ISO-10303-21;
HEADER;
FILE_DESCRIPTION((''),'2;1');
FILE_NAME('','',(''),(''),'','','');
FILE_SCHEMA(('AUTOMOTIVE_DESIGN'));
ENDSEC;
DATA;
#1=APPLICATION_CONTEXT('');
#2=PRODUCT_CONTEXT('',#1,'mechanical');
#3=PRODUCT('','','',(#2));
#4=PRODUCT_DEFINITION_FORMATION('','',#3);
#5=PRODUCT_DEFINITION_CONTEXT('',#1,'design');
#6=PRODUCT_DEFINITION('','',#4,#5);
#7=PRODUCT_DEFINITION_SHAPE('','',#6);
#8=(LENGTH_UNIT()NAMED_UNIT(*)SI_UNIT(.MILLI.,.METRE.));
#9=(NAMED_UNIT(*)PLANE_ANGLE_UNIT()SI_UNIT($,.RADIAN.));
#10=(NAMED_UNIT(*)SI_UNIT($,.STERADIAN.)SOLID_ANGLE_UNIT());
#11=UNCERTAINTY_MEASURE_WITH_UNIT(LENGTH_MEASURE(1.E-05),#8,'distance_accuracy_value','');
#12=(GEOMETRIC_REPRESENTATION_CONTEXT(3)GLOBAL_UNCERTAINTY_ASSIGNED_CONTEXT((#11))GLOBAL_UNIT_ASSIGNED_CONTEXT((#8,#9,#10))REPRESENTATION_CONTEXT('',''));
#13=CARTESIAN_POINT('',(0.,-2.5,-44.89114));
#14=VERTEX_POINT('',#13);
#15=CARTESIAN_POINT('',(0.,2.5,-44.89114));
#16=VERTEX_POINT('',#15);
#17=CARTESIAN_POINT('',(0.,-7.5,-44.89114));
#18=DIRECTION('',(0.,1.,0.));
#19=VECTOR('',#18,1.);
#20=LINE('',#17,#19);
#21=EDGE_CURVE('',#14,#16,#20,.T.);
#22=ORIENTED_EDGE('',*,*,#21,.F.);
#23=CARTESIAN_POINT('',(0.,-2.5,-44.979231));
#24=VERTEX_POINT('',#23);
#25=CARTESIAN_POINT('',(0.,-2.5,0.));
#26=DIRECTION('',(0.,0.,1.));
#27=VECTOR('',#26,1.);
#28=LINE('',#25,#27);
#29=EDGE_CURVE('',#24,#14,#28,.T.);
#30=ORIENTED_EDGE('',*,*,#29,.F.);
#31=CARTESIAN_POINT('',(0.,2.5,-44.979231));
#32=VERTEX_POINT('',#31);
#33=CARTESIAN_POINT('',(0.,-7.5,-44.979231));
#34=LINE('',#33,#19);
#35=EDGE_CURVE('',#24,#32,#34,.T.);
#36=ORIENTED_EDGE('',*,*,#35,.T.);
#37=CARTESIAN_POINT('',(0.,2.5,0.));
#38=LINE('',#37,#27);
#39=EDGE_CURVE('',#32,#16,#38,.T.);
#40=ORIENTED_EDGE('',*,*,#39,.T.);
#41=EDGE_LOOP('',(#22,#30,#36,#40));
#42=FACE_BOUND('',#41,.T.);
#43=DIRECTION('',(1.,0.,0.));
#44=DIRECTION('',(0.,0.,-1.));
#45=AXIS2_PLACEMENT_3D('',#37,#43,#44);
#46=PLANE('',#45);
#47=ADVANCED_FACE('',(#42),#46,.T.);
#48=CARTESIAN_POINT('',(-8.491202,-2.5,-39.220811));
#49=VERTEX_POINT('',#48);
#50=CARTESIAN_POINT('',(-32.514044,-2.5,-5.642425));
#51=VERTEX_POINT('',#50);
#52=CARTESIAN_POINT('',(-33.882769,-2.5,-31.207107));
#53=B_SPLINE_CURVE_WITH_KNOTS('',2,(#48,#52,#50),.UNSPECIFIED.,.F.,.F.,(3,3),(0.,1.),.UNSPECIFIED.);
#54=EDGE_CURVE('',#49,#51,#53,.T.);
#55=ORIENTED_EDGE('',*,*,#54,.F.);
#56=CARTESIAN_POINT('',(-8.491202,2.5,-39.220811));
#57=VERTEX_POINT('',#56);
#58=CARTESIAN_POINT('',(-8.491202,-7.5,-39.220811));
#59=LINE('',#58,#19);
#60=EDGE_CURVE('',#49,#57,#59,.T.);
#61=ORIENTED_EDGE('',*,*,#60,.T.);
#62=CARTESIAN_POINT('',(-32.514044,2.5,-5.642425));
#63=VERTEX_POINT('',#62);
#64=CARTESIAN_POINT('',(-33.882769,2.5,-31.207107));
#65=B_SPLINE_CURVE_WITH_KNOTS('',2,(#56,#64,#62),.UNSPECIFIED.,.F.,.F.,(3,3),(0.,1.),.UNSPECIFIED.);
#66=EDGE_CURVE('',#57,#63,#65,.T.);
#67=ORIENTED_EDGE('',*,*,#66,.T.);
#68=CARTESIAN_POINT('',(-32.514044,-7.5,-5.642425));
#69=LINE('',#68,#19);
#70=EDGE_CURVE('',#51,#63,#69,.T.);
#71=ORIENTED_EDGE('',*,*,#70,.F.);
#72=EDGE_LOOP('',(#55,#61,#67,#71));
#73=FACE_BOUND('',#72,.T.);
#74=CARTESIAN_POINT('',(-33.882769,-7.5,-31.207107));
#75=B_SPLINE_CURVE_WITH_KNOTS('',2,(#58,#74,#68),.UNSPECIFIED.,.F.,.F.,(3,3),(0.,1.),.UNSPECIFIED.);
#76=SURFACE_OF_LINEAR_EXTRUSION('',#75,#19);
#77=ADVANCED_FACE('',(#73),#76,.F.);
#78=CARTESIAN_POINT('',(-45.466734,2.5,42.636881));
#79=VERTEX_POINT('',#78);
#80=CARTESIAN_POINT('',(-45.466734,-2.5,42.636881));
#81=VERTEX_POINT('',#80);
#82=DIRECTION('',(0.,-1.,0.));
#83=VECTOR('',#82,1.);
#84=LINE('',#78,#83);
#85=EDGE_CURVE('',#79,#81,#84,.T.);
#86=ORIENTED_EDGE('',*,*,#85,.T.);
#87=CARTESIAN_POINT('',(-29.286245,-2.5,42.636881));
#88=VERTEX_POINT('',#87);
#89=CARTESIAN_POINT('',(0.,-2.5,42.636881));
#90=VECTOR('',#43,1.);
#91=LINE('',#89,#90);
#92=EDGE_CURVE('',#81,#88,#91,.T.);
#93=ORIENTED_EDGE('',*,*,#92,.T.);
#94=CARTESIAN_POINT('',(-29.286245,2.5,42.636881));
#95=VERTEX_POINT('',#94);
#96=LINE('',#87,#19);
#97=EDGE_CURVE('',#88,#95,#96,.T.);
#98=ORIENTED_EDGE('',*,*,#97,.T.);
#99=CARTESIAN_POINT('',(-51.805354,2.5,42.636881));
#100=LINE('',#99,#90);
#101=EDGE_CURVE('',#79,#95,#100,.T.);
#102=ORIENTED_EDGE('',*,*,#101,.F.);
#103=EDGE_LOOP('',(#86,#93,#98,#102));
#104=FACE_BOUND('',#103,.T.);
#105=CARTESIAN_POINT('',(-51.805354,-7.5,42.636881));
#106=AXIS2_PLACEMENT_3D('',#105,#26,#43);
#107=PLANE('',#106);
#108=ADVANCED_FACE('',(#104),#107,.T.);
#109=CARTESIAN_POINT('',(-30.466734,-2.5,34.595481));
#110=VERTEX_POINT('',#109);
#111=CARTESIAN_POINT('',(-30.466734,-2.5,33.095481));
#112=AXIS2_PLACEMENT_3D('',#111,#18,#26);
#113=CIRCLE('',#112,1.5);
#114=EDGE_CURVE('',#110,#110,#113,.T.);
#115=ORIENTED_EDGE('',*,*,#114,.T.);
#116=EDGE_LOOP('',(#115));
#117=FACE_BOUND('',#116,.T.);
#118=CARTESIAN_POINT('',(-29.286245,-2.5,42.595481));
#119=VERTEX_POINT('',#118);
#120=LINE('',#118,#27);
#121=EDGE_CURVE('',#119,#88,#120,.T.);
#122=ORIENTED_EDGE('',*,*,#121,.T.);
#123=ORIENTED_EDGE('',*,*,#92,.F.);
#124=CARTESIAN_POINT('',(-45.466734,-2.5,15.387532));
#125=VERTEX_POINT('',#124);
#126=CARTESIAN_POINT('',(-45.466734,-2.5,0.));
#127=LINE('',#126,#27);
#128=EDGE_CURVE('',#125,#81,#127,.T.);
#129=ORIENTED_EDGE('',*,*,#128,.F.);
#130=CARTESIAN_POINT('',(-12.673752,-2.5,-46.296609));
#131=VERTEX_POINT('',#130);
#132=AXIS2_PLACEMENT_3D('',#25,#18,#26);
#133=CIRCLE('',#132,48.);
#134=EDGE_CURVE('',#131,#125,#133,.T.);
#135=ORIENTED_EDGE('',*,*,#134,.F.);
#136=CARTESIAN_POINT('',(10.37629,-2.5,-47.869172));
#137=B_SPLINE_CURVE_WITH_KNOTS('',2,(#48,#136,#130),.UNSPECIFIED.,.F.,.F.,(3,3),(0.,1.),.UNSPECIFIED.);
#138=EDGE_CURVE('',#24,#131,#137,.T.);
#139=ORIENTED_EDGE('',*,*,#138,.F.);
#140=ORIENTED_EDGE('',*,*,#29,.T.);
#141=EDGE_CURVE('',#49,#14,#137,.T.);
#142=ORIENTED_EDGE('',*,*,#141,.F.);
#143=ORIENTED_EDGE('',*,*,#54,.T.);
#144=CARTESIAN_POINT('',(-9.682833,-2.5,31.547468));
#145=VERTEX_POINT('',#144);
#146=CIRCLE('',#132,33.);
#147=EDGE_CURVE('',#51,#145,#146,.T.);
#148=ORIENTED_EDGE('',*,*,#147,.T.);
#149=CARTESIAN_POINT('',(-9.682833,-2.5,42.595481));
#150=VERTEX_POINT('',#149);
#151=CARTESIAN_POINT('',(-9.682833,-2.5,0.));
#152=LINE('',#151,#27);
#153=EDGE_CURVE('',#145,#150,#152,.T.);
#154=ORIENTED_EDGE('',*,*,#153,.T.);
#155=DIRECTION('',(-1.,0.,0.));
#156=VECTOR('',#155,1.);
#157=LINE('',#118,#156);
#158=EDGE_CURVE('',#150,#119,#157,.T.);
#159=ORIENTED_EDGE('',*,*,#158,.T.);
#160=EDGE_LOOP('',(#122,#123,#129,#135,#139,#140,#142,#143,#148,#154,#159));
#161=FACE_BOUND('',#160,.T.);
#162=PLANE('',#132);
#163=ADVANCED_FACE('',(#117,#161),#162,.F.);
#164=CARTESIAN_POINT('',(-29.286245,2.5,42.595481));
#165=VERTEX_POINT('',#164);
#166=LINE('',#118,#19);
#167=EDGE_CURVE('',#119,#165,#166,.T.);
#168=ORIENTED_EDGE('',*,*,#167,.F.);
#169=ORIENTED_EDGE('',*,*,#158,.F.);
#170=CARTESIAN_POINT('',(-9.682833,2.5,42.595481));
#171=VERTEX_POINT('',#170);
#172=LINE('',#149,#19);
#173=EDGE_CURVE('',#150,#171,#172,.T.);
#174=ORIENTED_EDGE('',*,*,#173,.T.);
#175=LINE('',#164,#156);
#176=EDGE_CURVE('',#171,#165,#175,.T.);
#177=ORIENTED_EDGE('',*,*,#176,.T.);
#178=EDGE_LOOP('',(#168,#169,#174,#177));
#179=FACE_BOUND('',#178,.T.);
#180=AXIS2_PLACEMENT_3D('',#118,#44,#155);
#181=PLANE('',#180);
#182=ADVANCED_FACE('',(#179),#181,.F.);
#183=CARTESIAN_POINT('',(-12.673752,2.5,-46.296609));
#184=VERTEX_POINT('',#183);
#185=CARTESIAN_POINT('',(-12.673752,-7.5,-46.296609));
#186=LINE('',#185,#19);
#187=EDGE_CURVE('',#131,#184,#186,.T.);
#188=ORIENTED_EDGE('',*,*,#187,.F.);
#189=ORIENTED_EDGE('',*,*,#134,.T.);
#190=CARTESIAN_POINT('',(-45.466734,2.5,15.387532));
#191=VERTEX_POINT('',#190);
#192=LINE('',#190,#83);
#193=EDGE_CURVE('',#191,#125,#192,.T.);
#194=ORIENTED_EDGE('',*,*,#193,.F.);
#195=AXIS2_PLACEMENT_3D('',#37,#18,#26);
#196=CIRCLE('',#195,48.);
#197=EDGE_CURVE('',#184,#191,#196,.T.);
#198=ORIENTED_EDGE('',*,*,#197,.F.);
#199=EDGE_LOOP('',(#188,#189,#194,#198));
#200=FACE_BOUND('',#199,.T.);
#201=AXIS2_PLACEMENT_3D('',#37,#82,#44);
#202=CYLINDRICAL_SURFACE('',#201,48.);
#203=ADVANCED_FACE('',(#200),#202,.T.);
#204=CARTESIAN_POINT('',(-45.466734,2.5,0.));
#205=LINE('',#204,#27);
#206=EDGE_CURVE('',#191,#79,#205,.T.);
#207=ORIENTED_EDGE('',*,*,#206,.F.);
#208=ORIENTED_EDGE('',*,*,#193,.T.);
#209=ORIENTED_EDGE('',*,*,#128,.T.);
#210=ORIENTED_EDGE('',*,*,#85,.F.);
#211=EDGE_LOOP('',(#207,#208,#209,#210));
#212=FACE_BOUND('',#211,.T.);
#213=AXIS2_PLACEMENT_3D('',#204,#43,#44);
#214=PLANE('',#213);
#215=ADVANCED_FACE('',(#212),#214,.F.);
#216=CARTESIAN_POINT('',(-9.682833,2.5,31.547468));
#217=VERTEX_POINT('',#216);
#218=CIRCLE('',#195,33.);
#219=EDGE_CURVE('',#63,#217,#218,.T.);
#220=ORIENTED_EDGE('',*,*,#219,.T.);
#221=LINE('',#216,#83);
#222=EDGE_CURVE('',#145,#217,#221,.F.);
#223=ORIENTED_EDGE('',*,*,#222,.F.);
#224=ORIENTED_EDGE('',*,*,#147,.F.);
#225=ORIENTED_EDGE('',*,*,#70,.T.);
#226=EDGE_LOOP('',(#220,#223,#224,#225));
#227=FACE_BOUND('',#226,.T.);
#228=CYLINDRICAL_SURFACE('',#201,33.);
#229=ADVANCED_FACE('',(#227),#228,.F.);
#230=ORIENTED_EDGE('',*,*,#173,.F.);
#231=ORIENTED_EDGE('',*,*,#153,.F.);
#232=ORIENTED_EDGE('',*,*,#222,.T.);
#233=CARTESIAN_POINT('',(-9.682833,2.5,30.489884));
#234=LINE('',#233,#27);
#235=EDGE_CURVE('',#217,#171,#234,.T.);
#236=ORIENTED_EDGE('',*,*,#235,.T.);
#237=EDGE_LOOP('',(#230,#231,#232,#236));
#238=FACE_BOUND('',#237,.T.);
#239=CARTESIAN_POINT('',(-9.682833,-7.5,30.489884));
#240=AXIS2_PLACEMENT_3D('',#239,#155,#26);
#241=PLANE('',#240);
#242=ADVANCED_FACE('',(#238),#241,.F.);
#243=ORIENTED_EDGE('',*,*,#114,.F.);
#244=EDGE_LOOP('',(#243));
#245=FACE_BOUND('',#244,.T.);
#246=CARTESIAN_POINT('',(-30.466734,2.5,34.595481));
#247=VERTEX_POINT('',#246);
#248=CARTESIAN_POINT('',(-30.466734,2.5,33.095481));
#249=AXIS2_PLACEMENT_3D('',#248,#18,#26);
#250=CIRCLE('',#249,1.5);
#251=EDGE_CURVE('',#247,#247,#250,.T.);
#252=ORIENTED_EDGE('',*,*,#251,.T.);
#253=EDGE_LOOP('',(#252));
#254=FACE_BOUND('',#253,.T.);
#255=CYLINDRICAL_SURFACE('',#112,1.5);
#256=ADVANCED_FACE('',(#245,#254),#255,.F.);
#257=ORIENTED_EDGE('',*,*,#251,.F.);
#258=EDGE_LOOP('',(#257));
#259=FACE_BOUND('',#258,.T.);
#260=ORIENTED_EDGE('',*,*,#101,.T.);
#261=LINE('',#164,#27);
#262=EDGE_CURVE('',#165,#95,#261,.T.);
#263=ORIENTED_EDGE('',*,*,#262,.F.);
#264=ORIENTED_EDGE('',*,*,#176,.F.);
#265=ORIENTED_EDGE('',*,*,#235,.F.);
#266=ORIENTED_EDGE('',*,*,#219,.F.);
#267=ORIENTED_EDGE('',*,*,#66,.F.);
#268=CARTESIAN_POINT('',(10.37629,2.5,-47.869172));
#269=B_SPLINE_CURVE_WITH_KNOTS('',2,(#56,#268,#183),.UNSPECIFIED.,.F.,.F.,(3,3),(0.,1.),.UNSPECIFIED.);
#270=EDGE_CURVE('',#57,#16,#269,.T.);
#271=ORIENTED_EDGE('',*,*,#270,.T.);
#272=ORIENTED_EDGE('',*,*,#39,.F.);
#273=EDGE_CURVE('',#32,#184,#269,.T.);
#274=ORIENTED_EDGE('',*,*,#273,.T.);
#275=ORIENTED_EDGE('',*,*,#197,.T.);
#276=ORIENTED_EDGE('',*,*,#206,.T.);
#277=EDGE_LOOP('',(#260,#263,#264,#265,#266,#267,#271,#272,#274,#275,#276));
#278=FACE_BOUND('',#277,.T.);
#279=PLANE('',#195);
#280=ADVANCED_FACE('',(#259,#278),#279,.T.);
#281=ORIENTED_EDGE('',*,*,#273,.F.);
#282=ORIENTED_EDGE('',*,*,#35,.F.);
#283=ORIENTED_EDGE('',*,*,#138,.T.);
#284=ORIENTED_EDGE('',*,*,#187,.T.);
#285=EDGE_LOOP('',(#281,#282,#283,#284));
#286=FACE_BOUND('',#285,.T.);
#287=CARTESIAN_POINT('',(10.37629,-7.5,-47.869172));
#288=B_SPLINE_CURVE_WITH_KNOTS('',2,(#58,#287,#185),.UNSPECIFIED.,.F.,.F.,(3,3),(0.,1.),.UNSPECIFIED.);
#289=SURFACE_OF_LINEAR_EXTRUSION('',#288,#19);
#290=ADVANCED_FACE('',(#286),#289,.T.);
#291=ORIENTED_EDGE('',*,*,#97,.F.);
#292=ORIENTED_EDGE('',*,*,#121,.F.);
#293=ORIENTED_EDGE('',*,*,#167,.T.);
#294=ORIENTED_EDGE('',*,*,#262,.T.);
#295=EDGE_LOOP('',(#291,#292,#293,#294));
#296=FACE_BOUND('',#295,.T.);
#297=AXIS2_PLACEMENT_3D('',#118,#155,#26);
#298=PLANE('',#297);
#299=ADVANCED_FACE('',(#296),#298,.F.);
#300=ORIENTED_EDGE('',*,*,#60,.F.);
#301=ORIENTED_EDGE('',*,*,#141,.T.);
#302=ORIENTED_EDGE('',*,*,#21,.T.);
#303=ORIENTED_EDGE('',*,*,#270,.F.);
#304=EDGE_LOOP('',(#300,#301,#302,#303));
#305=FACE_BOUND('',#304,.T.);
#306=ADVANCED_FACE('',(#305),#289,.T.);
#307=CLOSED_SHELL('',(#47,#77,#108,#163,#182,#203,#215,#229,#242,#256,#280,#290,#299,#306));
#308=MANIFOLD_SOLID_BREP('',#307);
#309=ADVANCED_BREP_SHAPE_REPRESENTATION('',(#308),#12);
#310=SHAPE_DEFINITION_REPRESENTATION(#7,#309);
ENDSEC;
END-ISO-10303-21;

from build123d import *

# Parameters (mm, degrees)
BOSS_EXTRUDE1_DEPTH = 2.5
SKETCH2_W           = 39
SKETCH2_H           = 19
CUT_EXTRUDE2_DEPTH  = 119.291735722
SKETCH6_R           = 1.5
CUT_EXTRUDE11_DEPTH = 119.291735722
CUT_EXTRUDE17_DEPTH = 10
SKETCH17_W          = 77.591598172
SKETCH17_H          = 70.367911795
CUT_EXTRUDE19_DEPTH = 10
CUT_EXTRUDE20_DEPTH = 10
SKETCH18_W          = 37.449354942
SKETCH18_H          = 14.815690613
CUT_EXTRUDE21_DEPTH = 10


with BuildPart() as part:
    # Sketch1 → Boss-Extrude1 (new, symmetric)
    with BuildSketch(Plane(origin=(0, 0, 0), x_dir=(1, 0, 0), z_dir=(0, 1, 0))):
        with BuildLine():
            Line((25.786244138, -33), (0, -33))
            ThreePointArc((0, -33), (-33, 0), (0, 33))
            Line((0, 33), (0, 48))
            ThreePointArc((0, 48), (-39.003855832, 27.976762325), (-45.466733516, -15.387532074))
            Line((-45.466733516, -15.387532074), (-45.466733516, -107.999697871))
            Line((-45.466733516, -107.999697871), (25.786244138, -107.999697871))
            Line((25.786244138, -107.999697871), (25.786244138, -33))
        make_face()
        with BuildLine():
            Line((-7.096269411, -47.472549547), (0, -47.472549547))
            Line((0, -47.472549547), (0, -48))
            ThreePointArc((0, -48), (-3.55792227, -47.867955765), (-7.096269411, -47.472549547))
        make_face(mode=Mode.SUBTRACT)
    extrude(amount=BOSS_EXTRUDE1_DEPTH, both=True)

    # Sketch2 → Cut-Extrude2 (cut, through all)
    with BuildSketch(Plane(origin=(0, 2.5, 0), x_dir=(1, 0, 0), z_dir=(0, 1, 0))):
        with Locations((-9.786245396, -52.095481266)):
            Rectangle(SKETCH2_W, SKETCH2_H)
    extrude(amount=-CUT_EXTRUDE2_DEPTH, mode=Mode.SUBTRACT)

    # Sketch6 → Cut-Extrude11 (cut, through all)
    with BuildSketch(Plane(origin=(0, 2.5, 0), x_dir=(1, 0, 0), z_dir=(0, 1, 0))):
        with Locations(Location((-30.466733516, -33.095481266, 0), (0, 0, 270))):
            Circle(SKETCH6_R)
    extrude(amount=-CUT_EXTRUDE11_DEPTH, mode=Mode.SUBTRACT)

    # Sketch11 → Cut-Extrude17 (cut)
    with BuildSketch(Plane(origin=(0, 2.5, 0), x_dir=(1, 0, 0), z_dir=(0, 1, 0))):
        with BuildLine():
            Line((-8.49120153, 39.220810677), (-8.49120153, 31.888861638))
            Line((-8.49120153, 31.888861638), (-32.514043682, 5.642425314))
            add(Edge.make_bspline(
                [(-32.514043682, 5.642425314), (-33.882768602, 31.207106787), (-8.49120153, 39.220810677)],
                knots=[0, 0, 0, 1, 1, 1], degree=2))
        make_face()
    extrude(amount=-CUT_EXTRUDE17_DEPTH, mode=Mode.SUBTRACT)

    # Sketch17 → Cut-Extrude19 (cut)
    with BuildSketch(Plane(origin=(0, 2.5, 0), x_dir=(1, 0, 0), z_dir=(0, 1, 0))):
        with Locations((-13.009554948, -77.820837223)):
            Rectangle(SKETCH17_W, SKETCH17_H)
    extrude(amount=-CUT_EXTRUDE19_DEPTH, mode=Mode.SUBTRACT)

    # Sketch16 → Cut-Extrude20 (cut)
    with BuildSketch(Plane(origin=(0, 2.5, 0), x_dir=(1, 0, 0), z_dir=(0, 1, 0))):
        with BuildLine():
            Line((0, 33), (0, 44.891139614))
            add(Edge.make_bspline(
                [(-8.49120153, 39.220810677), (-0.101410447, 43.066470158), (0, 44.891139614)],
                knots=[0, 0, 0, 0.444669129, 0.444669129, 0.444669129], degree=2))
            Line((-8.49120153, 39.220810677), (-8.49120153, 31.888861638))
            ThreePointArc((-8.49120153, 31.888861638), (-4.281796699, 32.721036307), (0, 33))
        make_face()
        with BuildLine():
            ThreePointArc((0, 48), (-6.393855284, 47.572246264), (-12.673752424, 46.296608942))
            add(Edge.make_bspline(
                [(0, 44.979230614), (-0.124166201, 47.152790476), (-12.673752424, 46.296608942)],
                knots=[0.455550409, 0.455550409, 0.455550409, 1, 1, 1], degree=2))
            Line((0, 44.979230614), (0, 48))
        make_face()
    extrude(amount=-CUT_EXTRUDE20_DEPTH, mode=Mode.SUBTRACT)

    # Sketch18 → Cut-Extrude21 (cut)
    with BuildSketch(Plane(origin=(0, 2.5, 0), x_dir=(1, 0, 0), z_dir=(0, 1, 0))):
        with Locations((9.041844157, -37.897729007)):
            Rectangle(SKETCH18_W, SKETCH18_H)
    extrude(amount=-CUT_EXTRUDE21_DEPTH, mode=Mode.SUBTRACT)


solid = part.part
